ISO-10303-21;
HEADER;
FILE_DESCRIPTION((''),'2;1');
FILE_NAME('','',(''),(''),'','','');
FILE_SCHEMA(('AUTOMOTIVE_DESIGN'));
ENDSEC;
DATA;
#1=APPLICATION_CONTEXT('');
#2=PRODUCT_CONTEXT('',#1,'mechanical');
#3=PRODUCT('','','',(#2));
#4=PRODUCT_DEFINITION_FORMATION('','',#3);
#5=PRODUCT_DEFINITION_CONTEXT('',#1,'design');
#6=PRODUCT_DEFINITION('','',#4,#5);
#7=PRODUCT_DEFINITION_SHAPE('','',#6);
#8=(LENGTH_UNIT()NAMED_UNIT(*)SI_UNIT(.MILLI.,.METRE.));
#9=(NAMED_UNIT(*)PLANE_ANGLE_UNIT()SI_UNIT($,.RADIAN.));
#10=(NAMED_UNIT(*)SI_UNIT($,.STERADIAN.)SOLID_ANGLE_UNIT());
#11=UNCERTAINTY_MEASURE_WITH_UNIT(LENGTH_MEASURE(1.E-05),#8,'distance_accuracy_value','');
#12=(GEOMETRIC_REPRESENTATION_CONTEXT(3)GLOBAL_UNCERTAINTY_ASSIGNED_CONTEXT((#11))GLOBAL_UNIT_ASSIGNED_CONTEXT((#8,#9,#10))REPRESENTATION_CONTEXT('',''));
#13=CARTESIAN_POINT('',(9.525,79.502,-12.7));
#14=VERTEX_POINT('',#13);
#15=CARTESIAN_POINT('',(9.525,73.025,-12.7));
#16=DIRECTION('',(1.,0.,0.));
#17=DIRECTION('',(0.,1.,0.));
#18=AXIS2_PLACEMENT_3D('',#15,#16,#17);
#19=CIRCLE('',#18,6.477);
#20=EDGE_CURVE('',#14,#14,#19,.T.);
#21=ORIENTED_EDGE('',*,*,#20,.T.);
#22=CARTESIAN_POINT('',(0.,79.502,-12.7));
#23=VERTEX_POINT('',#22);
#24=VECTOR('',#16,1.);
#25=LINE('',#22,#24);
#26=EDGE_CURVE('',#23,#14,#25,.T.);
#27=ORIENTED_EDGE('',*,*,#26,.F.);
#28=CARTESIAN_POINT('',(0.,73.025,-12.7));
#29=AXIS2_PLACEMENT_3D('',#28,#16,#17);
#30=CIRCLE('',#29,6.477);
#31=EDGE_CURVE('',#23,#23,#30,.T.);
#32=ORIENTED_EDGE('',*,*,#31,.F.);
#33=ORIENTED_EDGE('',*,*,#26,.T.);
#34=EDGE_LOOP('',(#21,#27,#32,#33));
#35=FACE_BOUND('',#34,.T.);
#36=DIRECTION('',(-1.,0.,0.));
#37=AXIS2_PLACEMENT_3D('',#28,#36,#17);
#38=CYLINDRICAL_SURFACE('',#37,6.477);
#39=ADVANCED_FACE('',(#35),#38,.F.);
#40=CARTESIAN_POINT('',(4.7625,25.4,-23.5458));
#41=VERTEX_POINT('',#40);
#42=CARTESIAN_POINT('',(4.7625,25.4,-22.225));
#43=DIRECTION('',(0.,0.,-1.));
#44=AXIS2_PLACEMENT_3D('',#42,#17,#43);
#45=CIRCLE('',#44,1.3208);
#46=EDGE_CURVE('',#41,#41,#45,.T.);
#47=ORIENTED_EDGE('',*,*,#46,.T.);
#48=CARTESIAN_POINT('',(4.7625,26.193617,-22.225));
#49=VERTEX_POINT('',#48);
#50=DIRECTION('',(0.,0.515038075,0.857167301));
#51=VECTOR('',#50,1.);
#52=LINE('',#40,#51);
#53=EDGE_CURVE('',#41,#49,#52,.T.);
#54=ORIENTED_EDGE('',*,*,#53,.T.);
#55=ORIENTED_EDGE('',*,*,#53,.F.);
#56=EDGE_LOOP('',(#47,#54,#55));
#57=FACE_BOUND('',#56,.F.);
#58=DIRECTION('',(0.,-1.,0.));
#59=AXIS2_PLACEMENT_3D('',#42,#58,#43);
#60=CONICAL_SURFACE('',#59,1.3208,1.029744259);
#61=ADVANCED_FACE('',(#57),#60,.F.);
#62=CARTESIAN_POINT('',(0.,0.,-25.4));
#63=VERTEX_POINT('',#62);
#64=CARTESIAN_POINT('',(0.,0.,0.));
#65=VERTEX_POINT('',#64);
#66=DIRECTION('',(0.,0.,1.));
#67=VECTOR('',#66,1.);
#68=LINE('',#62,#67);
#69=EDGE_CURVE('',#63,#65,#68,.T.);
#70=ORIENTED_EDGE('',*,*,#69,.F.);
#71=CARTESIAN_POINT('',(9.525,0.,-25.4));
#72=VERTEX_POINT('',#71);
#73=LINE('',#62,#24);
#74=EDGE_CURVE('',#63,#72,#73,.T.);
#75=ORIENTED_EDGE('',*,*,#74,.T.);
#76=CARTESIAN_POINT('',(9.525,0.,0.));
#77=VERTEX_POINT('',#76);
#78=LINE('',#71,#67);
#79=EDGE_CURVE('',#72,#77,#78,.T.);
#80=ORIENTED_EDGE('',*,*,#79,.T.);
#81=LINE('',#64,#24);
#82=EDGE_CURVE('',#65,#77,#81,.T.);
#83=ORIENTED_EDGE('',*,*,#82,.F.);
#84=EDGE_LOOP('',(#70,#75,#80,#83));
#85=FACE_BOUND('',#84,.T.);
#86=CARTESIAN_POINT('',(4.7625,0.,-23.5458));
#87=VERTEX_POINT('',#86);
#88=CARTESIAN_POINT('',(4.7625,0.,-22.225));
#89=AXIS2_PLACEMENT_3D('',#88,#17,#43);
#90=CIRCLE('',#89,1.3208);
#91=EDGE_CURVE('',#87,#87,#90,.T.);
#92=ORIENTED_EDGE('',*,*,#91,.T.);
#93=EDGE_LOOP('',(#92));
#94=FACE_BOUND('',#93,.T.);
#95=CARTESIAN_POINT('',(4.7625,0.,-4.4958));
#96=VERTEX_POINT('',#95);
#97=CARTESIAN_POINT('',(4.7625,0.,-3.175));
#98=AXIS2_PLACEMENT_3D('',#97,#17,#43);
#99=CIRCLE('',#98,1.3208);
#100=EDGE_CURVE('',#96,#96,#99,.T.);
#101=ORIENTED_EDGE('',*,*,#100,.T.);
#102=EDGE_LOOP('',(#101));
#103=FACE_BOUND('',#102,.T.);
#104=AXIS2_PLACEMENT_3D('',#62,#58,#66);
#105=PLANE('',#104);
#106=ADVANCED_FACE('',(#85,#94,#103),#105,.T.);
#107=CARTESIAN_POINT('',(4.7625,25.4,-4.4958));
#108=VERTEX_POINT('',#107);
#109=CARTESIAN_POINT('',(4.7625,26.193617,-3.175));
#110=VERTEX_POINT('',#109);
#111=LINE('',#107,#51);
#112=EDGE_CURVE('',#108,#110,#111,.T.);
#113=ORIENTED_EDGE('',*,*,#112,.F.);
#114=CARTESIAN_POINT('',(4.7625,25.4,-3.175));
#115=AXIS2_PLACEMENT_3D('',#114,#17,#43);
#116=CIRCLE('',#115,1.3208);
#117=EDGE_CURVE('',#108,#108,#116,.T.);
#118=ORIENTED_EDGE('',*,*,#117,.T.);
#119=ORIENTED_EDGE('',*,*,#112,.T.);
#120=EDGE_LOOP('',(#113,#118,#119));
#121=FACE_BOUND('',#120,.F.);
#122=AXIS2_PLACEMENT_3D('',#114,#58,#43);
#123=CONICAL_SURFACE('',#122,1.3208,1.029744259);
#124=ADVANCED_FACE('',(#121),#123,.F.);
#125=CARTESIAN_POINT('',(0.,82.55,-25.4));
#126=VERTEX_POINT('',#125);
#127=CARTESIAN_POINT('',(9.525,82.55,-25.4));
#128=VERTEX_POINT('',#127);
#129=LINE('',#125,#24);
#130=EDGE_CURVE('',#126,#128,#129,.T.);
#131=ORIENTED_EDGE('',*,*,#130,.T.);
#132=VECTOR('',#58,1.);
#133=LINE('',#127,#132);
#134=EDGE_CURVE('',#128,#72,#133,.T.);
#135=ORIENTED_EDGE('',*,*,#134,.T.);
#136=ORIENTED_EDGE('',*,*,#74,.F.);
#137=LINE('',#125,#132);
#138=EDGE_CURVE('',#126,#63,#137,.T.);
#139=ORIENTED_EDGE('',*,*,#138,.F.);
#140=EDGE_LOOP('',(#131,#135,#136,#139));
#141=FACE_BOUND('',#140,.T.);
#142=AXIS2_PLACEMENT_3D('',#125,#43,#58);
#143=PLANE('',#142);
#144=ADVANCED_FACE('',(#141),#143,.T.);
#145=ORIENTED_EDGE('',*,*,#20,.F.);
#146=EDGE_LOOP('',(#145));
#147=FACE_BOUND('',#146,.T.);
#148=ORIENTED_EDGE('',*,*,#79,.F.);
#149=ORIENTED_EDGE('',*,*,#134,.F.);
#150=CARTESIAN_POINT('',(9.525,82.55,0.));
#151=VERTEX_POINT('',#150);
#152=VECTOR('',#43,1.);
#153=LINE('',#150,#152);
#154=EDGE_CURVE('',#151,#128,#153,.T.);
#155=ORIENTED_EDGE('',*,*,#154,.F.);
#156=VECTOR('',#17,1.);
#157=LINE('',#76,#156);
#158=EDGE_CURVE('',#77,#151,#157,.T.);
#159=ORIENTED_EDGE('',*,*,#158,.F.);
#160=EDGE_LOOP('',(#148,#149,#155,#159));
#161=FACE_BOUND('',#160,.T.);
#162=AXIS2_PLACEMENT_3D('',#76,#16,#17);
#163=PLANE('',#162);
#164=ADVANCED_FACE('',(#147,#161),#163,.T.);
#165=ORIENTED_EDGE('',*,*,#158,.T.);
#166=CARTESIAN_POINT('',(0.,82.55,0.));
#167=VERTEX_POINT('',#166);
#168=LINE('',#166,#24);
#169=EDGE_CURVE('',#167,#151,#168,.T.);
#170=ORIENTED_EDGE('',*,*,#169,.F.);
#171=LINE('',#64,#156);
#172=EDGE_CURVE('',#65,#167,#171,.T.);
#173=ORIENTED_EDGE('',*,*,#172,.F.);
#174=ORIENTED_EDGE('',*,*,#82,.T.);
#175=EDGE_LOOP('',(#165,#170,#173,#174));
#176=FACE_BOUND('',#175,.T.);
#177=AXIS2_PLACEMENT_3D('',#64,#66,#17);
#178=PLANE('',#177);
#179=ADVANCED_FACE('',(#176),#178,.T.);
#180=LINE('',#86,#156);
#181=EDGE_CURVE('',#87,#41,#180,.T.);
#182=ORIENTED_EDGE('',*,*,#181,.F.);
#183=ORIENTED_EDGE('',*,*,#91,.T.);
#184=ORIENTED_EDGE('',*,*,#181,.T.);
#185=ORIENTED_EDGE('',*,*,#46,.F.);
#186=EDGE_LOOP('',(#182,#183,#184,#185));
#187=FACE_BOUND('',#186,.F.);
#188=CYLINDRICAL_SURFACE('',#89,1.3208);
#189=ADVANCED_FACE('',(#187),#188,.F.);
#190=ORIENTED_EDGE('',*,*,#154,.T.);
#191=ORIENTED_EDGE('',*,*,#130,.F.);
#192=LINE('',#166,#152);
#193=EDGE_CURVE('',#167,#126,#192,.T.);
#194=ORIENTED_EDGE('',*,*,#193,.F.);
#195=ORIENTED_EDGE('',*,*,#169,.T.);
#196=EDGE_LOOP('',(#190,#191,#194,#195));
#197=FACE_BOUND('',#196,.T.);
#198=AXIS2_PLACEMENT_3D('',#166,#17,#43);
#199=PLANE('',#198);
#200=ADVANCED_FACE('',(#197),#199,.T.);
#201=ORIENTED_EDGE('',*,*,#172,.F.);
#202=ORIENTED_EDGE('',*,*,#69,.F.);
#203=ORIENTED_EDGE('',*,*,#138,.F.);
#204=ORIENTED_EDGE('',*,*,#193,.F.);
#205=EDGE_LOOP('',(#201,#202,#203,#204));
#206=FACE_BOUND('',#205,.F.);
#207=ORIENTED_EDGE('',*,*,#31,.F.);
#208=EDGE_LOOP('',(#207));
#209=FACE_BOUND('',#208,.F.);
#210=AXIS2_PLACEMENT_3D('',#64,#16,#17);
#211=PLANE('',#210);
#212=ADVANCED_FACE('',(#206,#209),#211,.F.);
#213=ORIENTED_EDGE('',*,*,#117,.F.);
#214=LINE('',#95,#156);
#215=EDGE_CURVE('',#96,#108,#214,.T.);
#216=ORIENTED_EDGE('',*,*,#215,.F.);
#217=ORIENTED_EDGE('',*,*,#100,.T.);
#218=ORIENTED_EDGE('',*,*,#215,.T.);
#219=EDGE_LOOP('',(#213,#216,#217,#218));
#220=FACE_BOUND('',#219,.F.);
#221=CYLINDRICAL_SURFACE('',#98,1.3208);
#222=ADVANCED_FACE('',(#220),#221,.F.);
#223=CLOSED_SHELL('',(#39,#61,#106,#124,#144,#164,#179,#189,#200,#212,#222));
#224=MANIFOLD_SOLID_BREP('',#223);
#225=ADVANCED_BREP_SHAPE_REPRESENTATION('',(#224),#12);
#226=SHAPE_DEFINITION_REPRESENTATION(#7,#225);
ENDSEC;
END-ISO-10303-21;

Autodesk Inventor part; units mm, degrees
ref_plane "YZ Plane" through (0, 0, 0) normal (1, 0, 0) x (0, 1, 0)
ref_plane "XZ Plane" through (0, 0, 0) normal (0, 1, 0) x (-1, 0, 0)
ref_plane "XY Plane" through (0, 0, 0) normal (0, 0, 1) x (1, 0, 0)
sketch "Sketch1" plane through (0, 0, 0) normal (1, 0, 0) x (0, 1, 0)
  line L0 (0, 0) -> (82.55, 0)
  line L1 (82.55, 0) -> (82.55, -25.4)
  line L2 (82.55, -25.4) -> (0, -25.4)
  line L3 (0, -25.4) -> (0, 0)
  circle A0 centre (73.025, -12.7) radius 6.477
  dimension "d0" = 82.55
  dimension "d1" = 25.4
  dimension "d2" = 12.954
  dimension "d3" = 73.025
extrude "Extrusion1" add sketch "Sketch1" along normal blind 9.525
sketch "Sketch2" plane through (0, 0, -25.4) normal (0, -1, 0) x (1, 0, 0)
  line L0 (0, 0) -> (0, 25.4) projected
  line L1 (0, 0) -> (9.525, 0) projected
  line L2 (9.525, 25.4) -> (9.525, 0) projected
  line L3 (0, 25.4) -> (9.525, 25.4) projected
  point P0 (4.7625, 22.225)
  point P1 (4.7625, 3.175)
  dimension "d6" = 25.4
  dimension "d7" = 3.175
  dimension "d8" = 3.175
hole "Hole1" at (4.7625, 0, -3.175) at (4.7625, 0, -22.225) direction (0, 1, 0) diameter 2.6416 depth 25.4 tip angle 118 thread size "6-32 UNC" class "2B" standard "ANSI Unified Screw Threads"
equation "\"d8\" = d7"
properties part number "SlidesPivotBracket"
